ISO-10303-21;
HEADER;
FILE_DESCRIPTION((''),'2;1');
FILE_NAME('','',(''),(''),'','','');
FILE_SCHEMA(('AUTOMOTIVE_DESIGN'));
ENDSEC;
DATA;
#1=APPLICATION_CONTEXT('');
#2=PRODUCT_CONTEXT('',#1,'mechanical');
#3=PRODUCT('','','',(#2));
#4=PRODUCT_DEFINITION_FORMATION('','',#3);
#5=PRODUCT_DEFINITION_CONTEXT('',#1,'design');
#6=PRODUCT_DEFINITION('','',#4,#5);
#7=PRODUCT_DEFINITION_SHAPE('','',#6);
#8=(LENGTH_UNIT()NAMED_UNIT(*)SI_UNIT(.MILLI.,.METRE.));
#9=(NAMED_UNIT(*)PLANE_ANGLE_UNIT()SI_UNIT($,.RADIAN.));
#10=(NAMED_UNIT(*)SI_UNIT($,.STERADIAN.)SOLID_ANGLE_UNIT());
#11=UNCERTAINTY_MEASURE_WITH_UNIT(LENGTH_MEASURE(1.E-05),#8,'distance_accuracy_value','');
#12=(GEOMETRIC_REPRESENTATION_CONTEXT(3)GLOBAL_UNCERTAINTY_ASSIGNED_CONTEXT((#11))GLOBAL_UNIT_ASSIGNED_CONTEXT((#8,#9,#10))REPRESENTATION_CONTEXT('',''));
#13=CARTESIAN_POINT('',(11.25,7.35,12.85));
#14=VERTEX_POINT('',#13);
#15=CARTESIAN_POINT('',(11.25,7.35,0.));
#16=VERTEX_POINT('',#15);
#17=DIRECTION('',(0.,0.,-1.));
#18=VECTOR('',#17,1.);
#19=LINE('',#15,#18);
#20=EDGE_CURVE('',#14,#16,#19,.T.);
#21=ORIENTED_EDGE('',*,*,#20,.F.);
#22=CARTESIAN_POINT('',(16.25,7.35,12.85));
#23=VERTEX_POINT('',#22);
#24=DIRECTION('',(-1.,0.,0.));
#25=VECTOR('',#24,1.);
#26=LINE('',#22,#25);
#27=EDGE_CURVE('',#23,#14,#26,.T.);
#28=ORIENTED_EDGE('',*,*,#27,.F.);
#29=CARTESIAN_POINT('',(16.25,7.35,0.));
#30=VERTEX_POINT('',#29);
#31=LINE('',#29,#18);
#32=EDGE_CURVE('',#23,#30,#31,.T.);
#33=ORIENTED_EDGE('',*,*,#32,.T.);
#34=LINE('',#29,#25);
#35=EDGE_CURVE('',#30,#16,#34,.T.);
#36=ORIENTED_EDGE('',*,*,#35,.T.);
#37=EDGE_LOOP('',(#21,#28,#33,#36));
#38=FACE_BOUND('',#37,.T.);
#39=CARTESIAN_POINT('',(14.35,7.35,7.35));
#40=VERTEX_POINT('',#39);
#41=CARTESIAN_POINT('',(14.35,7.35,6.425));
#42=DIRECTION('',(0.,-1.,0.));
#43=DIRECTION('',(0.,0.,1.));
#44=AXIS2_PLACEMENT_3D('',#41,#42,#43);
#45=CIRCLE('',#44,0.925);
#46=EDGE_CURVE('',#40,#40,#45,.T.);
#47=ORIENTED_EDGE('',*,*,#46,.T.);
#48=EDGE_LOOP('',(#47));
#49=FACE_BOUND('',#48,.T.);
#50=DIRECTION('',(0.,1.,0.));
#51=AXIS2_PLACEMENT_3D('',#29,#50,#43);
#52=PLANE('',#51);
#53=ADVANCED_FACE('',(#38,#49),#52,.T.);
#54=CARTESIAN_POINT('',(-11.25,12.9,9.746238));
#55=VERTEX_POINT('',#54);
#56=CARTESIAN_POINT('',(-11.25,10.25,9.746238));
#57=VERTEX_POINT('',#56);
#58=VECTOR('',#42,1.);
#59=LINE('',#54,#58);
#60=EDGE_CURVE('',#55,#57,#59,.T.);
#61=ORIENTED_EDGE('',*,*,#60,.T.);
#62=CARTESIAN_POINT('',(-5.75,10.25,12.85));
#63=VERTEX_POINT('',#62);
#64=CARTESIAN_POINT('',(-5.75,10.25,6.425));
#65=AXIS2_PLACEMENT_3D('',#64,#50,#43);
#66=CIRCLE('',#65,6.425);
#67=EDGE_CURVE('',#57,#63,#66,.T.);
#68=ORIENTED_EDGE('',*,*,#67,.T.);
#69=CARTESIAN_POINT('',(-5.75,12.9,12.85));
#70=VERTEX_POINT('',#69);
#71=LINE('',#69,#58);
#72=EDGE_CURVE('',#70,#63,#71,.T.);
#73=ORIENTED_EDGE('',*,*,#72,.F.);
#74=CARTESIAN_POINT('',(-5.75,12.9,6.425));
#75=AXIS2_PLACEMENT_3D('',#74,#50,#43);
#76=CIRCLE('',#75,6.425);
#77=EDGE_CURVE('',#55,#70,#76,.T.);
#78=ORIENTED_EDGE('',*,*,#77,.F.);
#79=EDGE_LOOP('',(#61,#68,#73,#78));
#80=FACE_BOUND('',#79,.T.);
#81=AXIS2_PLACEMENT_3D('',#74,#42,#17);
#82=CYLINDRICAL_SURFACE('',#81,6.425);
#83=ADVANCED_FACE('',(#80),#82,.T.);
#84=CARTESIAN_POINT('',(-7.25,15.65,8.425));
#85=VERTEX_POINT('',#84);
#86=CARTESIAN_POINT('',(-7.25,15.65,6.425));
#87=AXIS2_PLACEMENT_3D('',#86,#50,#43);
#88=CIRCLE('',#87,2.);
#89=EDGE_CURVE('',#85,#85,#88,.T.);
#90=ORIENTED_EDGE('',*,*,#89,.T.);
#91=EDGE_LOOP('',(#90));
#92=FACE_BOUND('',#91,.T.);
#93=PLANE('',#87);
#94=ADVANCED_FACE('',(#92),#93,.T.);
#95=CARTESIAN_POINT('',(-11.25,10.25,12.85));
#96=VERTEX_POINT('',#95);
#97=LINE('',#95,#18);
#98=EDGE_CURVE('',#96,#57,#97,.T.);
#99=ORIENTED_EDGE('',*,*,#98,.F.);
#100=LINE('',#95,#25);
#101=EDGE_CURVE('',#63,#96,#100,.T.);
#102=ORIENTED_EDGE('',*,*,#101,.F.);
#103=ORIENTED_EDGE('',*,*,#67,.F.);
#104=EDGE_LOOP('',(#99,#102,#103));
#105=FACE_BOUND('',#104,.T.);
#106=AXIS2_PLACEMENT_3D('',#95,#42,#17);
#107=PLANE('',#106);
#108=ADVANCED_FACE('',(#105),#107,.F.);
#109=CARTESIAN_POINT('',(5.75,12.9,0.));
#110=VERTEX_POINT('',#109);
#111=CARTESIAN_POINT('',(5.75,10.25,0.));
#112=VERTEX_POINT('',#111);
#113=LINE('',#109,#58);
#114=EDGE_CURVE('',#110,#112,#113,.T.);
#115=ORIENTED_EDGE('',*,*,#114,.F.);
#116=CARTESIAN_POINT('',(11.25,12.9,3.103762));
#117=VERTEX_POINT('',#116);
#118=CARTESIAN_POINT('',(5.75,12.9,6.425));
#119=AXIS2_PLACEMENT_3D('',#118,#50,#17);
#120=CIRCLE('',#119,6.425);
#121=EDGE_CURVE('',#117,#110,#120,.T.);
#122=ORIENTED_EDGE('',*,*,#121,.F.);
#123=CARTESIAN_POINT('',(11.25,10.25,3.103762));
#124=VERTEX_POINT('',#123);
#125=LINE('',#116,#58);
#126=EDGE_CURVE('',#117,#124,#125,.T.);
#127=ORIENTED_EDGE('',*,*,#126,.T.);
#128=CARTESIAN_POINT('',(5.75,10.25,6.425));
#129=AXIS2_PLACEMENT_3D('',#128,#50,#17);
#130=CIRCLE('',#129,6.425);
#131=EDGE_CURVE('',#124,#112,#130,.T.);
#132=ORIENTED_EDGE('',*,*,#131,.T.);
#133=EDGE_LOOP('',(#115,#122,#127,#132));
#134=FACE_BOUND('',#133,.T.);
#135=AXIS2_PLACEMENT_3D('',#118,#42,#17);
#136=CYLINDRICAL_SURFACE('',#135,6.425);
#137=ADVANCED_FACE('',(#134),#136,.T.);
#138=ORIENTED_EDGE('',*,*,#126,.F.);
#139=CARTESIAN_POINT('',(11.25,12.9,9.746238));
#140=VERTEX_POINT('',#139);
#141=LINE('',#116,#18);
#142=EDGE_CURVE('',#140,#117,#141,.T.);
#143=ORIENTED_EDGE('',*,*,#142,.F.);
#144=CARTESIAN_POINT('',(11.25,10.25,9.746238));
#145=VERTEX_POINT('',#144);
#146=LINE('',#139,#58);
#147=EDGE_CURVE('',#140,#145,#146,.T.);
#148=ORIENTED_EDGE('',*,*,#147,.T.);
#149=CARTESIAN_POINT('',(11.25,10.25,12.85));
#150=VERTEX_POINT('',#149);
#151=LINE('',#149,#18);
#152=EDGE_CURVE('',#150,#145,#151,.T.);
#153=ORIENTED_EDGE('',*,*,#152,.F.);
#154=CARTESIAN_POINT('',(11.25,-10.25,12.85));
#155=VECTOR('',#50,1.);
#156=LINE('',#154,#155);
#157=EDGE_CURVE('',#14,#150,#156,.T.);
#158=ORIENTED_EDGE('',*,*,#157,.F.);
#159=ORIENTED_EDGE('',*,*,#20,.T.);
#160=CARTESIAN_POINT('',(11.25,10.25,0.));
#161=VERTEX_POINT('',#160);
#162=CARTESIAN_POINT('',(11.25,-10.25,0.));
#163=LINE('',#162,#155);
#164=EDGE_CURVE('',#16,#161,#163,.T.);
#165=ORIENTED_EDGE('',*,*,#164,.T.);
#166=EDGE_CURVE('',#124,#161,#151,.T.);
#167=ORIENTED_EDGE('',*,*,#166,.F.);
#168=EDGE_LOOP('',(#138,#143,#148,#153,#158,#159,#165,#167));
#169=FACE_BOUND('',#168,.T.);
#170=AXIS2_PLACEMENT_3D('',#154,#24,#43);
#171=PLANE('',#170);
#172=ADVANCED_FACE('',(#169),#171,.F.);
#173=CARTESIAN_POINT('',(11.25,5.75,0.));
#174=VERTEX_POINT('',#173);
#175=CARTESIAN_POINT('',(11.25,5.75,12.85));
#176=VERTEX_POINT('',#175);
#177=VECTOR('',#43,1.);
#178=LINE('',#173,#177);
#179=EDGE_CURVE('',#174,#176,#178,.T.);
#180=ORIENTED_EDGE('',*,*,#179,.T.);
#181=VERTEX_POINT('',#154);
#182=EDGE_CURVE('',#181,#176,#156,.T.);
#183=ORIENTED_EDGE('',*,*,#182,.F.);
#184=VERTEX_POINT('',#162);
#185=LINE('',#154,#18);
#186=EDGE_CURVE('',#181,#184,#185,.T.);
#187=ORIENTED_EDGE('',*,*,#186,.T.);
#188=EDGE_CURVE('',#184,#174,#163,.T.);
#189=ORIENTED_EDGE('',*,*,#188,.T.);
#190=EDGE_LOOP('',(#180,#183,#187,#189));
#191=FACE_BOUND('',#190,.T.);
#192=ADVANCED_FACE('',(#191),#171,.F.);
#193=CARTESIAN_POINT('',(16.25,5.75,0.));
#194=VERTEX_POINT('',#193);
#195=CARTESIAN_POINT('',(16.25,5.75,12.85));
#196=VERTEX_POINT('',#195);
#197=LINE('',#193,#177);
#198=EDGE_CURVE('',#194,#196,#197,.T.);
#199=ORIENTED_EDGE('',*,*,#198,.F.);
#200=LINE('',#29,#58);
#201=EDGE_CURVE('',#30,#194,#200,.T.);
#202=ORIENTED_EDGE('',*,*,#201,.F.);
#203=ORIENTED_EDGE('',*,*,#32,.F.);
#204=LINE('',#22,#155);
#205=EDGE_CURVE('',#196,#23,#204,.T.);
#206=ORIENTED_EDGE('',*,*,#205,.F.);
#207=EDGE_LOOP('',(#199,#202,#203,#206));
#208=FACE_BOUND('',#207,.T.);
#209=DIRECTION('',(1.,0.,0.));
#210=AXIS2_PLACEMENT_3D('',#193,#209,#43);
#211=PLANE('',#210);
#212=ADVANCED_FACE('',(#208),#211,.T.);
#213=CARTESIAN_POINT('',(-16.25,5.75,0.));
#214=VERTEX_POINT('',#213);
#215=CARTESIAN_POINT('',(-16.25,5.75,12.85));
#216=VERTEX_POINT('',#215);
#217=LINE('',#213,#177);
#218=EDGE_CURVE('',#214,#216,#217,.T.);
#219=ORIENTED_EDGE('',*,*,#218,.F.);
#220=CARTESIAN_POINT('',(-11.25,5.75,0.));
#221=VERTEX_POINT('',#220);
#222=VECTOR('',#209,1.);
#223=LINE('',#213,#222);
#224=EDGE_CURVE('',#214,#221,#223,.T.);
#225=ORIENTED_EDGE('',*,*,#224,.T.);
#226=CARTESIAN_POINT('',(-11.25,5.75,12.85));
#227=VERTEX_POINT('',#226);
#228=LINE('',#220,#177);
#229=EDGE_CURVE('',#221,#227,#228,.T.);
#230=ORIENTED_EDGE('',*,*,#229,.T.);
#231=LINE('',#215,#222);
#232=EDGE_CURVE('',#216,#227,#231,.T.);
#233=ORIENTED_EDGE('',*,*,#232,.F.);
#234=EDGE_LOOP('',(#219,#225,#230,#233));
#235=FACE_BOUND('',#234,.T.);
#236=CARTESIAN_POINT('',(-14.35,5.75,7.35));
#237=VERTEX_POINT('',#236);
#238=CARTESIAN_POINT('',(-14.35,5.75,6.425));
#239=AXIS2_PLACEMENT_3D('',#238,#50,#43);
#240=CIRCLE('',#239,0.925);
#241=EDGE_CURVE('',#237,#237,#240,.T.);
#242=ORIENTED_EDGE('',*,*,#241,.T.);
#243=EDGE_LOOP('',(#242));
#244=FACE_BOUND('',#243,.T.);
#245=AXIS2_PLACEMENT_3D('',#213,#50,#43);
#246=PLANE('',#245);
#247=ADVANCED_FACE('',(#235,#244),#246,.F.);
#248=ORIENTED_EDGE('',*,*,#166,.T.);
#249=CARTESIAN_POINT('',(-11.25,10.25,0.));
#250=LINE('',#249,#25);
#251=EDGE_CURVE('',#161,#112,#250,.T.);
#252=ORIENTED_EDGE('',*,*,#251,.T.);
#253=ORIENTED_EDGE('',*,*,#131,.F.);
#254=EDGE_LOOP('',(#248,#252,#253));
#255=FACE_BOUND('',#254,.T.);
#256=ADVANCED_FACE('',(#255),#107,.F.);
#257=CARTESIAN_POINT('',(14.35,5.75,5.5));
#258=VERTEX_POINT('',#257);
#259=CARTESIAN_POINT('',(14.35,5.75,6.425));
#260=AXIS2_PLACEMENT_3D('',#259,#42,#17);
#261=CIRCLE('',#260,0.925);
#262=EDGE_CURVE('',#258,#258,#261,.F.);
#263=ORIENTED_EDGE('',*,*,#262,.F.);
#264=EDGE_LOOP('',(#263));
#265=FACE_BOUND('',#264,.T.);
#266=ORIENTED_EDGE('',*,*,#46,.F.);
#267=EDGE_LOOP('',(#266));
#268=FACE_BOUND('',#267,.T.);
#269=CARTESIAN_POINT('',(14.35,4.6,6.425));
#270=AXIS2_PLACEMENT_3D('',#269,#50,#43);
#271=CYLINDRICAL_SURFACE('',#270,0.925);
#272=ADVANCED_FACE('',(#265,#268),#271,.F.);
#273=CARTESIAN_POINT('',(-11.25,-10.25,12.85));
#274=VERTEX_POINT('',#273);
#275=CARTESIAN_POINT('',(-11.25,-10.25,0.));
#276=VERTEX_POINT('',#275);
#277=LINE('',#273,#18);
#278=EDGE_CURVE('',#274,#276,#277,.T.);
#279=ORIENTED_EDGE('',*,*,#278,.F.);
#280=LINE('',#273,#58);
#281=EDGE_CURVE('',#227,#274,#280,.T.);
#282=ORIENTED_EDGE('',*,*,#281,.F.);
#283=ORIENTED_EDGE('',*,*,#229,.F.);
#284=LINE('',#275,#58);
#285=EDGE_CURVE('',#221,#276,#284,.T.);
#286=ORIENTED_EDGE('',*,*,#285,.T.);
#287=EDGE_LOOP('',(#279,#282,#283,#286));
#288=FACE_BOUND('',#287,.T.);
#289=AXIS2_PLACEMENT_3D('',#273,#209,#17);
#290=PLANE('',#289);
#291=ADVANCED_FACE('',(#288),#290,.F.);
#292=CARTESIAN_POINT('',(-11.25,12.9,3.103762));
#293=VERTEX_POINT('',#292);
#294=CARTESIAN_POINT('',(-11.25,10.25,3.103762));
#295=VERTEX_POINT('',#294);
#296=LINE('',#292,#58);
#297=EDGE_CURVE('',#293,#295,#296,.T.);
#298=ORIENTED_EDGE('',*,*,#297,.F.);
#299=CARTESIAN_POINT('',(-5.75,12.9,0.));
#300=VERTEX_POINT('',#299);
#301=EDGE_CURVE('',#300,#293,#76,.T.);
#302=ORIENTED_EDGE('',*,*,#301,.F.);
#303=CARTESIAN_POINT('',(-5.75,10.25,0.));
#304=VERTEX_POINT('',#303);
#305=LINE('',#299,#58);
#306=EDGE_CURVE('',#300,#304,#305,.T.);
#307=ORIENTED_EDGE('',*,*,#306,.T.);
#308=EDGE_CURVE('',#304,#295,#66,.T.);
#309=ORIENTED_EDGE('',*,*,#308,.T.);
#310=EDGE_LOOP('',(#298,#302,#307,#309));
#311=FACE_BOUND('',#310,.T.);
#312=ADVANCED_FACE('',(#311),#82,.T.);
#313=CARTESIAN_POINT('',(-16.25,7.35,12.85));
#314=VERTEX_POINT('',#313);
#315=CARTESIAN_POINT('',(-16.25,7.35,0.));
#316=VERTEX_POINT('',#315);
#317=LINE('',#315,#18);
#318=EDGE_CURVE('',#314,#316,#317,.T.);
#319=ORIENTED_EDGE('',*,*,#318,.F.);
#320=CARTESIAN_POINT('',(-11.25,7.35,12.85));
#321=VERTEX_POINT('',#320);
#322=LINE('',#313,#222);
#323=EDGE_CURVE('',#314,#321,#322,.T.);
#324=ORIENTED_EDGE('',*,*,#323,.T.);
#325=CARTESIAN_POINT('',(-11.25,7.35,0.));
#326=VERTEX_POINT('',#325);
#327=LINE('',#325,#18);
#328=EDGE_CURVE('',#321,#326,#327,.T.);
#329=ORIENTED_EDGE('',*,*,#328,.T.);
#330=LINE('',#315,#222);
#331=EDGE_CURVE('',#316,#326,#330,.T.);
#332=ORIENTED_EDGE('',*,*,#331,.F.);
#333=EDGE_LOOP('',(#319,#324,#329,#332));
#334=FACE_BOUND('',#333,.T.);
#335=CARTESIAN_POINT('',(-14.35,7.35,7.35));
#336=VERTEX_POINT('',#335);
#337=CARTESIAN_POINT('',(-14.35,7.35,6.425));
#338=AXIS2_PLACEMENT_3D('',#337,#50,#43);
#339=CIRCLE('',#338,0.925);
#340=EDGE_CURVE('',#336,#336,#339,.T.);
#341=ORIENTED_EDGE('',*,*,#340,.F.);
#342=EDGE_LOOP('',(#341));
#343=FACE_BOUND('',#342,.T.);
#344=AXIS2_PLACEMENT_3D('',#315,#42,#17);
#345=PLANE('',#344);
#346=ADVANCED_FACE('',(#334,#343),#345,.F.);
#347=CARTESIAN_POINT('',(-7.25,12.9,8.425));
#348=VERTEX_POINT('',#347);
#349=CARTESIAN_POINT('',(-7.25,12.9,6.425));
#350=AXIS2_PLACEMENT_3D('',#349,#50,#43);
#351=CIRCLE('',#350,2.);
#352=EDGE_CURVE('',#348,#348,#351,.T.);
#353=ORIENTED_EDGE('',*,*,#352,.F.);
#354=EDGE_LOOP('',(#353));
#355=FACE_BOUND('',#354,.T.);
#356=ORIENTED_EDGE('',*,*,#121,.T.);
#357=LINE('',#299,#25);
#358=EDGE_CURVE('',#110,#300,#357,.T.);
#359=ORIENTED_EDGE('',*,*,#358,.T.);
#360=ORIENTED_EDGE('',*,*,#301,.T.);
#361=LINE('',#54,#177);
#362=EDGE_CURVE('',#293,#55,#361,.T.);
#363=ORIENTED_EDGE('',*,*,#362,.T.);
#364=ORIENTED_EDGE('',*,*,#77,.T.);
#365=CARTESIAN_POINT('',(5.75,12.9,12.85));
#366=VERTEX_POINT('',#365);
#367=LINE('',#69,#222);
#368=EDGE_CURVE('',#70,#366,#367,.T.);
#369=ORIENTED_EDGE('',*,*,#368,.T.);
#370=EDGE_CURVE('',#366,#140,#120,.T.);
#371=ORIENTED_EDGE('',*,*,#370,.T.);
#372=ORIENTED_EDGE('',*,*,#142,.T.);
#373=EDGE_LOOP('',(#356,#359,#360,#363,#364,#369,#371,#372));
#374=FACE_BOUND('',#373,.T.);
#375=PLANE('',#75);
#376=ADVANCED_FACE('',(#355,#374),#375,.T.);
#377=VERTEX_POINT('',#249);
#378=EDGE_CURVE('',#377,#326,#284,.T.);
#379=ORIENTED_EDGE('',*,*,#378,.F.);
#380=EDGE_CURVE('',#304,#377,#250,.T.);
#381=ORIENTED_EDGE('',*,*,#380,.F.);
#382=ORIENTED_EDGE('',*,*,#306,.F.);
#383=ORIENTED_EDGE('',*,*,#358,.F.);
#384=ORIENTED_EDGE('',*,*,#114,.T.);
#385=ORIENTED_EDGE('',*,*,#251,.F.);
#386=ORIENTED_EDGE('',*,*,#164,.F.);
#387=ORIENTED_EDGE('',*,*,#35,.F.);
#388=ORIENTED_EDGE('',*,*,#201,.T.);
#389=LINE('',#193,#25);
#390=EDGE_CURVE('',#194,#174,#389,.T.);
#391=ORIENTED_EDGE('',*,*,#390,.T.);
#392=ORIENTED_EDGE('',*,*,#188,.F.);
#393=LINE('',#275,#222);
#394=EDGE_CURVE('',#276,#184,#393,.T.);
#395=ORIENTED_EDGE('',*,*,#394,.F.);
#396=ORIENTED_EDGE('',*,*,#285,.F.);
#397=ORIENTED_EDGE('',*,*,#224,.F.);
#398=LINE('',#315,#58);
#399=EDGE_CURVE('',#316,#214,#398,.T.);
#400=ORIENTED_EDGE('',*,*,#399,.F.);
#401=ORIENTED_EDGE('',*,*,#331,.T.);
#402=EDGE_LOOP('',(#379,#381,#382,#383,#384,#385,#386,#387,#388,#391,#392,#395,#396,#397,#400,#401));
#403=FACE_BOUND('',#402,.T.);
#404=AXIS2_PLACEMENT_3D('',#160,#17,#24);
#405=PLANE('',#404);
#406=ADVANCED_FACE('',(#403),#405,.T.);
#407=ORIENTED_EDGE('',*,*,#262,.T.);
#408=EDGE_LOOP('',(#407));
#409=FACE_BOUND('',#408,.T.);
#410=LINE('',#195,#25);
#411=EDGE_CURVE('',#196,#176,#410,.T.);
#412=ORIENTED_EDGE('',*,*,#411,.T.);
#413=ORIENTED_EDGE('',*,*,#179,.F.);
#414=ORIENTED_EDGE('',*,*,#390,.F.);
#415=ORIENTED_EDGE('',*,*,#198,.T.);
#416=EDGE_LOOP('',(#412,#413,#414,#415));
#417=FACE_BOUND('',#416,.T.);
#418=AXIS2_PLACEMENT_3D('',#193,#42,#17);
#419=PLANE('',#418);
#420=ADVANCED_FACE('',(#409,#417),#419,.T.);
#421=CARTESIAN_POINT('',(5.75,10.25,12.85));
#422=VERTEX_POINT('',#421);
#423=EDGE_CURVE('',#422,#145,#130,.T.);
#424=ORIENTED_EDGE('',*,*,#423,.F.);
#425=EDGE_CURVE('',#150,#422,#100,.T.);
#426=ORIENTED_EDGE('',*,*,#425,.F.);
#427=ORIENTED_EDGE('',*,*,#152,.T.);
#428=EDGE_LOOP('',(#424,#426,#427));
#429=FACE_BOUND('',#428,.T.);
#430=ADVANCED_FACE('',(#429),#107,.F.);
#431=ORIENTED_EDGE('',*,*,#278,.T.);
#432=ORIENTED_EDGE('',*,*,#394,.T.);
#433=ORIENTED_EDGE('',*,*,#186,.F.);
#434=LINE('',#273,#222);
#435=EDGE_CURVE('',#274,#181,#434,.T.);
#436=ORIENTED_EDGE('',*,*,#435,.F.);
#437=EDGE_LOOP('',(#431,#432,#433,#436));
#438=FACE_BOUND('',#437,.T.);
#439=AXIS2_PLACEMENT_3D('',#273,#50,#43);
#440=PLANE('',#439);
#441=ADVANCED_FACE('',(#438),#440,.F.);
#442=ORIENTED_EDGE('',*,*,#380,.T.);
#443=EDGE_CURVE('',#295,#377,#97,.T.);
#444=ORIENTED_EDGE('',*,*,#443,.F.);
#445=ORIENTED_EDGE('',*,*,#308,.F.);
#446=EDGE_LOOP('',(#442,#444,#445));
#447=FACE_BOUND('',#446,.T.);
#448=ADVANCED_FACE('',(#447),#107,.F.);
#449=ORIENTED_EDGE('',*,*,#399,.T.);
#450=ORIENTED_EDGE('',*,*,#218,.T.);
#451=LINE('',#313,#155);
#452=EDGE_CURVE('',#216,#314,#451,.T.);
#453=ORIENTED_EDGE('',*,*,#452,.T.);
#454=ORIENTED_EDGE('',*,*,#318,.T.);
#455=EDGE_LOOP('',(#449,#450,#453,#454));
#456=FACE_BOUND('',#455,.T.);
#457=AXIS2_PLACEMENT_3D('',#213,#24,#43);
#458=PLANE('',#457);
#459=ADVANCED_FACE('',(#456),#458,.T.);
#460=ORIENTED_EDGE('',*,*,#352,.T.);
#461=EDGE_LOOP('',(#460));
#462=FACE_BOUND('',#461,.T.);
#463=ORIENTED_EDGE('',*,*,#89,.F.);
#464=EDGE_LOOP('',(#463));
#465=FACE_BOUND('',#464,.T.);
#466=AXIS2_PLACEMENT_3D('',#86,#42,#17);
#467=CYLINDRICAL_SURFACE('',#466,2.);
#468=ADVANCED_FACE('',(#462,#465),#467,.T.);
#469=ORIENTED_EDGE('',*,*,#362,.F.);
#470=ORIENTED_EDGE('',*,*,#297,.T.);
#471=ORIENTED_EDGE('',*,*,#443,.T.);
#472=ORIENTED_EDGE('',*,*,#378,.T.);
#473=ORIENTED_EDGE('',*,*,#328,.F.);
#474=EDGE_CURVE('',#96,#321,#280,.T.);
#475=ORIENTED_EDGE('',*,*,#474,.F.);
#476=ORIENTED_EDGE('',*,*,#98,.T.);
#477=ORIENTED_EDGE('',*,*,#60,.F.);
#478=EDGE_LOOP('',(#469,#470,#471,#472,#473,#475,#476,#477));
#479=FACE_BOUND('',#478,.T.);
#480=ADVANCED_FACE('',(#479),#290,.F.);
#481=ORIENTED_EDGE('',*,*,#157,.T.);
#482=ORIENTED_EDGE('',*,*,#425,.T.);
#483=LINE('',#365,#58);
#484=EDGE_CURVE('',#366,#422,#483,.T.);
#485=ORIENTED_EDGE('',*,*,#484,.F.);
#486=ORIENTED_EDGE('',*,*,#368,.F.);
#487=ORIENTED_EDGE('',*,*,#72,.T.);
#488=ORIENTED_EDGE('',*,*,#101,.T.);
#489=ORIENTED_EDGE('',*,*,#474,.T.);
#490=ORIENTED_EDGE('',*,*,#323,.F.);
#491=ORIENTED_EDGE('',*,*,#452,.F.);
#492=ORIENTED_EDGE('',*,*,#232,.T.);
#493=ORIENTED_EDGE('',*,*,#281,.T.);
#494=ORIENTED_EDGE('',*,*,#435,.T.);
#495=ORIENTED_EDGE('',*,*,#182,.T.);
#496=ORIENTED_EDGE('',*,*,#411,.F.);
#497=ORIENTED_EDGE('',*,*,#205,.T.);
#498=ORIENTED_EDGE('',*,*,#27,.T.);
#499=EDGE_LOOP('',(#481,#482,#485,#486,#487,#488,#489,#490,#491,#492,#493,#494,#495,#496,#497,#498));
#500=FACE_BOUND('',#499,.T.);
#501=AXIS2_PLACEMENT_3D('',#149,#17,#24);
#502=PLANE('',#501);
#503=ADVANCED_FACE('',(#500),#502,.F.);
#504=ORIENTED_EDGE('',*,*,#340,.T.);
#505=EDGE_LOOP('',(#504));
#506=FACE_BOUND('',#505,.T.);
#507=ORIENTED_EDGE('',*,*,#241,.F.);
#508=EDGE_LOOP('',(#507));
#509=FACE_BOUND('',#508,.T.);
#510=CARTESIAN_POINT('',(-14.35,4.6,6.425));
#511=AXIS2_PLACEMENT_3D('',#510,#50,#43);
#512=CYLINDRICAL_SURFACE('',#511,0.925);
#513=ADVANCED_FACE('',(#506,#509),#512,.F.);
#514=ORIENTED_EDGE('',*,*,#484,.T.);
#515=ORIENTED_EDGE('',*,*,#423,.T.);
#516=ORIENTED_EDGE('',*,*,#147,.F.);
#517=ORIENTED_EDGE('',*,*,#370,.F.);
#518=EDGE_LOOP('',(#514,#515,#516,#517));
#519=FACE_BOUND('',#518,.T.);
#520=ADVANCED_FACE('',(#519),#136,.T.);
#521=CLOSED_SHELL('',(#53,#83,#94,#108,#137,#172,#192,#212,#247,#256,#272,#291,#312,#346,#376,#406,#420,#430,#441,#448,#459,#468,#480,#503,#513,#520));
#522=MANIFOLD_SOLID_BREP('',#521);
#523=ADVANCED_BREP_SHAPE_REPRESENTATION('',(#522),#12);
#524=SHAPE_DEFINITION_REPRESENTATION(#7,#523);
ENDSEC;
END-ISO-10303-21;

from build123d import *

# Parameters (mm, degrees)
ESQUISSE1_W      = 22.5
ESQUISSE1_H      = 20.5
EXTRUSION1_DEPTH = 12.85
EXTRUSION2_DEPTH = 2.65
ESQUISSE3_W      = 12.85
ESQUISSE3_H      = 1.6
EXTRUSION3_DEPTH = 5
ESQUISSE5_R      = 0.925
EXTRUSION5_DEPTH = 2.75
ESQUISSE4_R      = 2
EXTRUSION4_DEPTH = 2.75


with BuildPart() as part:
    # Esquisse1 → Extrusion1 (new body)
    with BuildSketch(Plane.XY):
        Rectangle(ESQUISSE1_W, ESQUISSE1_H)
    extrude(amount=EXTRUSION1_DEPTH)

    # Esquisse2 → Extrusion2 (add)
    with BuildSketch(Plane(origin=(0, 10.25, 0), x_dir=(1, 0, 0), z_dir=(0, 1, 0))):
        with BuildLine():
            Line((-5.75, 0), (5.75, 0))
            ThreePointArc((5.75, 0), (8.907662728, -0.829484734), (11.25, -3.103761526))
            Line((11.25, -3.103761526), (11.25, -9.746238474))
            ThreePointArc((11.25, -9.746238474), (8.907662728, -12.020515266), (5.75, -12.85))
            Line((5.75, -12.85), (-5.75, -12.85))
            ThreePointArc((-5.75, -12.85), (-8.907662728, -12.020515266), (-11.25, -9.746238474))
            Line((-11.25, -9.746238474), (-11.25, -3.103761526))
            ThreePointArc((-11.25, -3.103761526), (-8.907662728, -0.829484734), (-5.75, 0))
        make_face()
    extrude(amount=EXTRUSION2_DEPTH)

    # Esquisse3 → Extrusion3 (add)
    with BuildSketch(Plane.ZY.offset(11.25)):
        with Locations((6.425, 6.55)):
            Rectangle(ESQUISSE3_W, ESQUISSE3_H)
    extrusion3 = extrude(amount=EXTRUSION3_DEPTH)

    # Esquisse5 → Extrusion5 (cut)
    with BuildSketch(Plane(origin=(0, 7.35, 0), x_dir=(1, 0, 0), z_dir=(0, 1, 0))):
        with Locations(Location((-14.35, -6.425, 0), (0, 0, 270))):
            Circle(ESQUISSE5_R)
    extrusion5 = extrude(amount=-EXTRUSION5_DEPTH, mode=Mode.SUBTRACT)

    # Symétrie1: Extrusion3, Extrusion5 across plane
    add(extrusion3.mirror(Plane(origin=(0, 0, 0), x_dir=(0, 0, 1), z_dir=(1, 0, 0))))
    add(extrusion5.mirror(Plane(origin=(0, 0, 0), x_dir=(0, 0, 1), z_dir=(1, 0, 0))), mode=Mode.SUBTRACT)

    # Esquisse4 → Extrusion4 (add)
    with BuildSketch(Plane(origin=(0, 12.9, 0), x_dir=(1, 0, 0), z_dir=(0, 1, 0))):
        with Locations(Location((-7.25, -6.425, 0), (0, 0, 270))):
            Circle(ESQUISSE4_R)
    extrude(amount=EXTRUSION4_DEPTH)


solid = part.part
